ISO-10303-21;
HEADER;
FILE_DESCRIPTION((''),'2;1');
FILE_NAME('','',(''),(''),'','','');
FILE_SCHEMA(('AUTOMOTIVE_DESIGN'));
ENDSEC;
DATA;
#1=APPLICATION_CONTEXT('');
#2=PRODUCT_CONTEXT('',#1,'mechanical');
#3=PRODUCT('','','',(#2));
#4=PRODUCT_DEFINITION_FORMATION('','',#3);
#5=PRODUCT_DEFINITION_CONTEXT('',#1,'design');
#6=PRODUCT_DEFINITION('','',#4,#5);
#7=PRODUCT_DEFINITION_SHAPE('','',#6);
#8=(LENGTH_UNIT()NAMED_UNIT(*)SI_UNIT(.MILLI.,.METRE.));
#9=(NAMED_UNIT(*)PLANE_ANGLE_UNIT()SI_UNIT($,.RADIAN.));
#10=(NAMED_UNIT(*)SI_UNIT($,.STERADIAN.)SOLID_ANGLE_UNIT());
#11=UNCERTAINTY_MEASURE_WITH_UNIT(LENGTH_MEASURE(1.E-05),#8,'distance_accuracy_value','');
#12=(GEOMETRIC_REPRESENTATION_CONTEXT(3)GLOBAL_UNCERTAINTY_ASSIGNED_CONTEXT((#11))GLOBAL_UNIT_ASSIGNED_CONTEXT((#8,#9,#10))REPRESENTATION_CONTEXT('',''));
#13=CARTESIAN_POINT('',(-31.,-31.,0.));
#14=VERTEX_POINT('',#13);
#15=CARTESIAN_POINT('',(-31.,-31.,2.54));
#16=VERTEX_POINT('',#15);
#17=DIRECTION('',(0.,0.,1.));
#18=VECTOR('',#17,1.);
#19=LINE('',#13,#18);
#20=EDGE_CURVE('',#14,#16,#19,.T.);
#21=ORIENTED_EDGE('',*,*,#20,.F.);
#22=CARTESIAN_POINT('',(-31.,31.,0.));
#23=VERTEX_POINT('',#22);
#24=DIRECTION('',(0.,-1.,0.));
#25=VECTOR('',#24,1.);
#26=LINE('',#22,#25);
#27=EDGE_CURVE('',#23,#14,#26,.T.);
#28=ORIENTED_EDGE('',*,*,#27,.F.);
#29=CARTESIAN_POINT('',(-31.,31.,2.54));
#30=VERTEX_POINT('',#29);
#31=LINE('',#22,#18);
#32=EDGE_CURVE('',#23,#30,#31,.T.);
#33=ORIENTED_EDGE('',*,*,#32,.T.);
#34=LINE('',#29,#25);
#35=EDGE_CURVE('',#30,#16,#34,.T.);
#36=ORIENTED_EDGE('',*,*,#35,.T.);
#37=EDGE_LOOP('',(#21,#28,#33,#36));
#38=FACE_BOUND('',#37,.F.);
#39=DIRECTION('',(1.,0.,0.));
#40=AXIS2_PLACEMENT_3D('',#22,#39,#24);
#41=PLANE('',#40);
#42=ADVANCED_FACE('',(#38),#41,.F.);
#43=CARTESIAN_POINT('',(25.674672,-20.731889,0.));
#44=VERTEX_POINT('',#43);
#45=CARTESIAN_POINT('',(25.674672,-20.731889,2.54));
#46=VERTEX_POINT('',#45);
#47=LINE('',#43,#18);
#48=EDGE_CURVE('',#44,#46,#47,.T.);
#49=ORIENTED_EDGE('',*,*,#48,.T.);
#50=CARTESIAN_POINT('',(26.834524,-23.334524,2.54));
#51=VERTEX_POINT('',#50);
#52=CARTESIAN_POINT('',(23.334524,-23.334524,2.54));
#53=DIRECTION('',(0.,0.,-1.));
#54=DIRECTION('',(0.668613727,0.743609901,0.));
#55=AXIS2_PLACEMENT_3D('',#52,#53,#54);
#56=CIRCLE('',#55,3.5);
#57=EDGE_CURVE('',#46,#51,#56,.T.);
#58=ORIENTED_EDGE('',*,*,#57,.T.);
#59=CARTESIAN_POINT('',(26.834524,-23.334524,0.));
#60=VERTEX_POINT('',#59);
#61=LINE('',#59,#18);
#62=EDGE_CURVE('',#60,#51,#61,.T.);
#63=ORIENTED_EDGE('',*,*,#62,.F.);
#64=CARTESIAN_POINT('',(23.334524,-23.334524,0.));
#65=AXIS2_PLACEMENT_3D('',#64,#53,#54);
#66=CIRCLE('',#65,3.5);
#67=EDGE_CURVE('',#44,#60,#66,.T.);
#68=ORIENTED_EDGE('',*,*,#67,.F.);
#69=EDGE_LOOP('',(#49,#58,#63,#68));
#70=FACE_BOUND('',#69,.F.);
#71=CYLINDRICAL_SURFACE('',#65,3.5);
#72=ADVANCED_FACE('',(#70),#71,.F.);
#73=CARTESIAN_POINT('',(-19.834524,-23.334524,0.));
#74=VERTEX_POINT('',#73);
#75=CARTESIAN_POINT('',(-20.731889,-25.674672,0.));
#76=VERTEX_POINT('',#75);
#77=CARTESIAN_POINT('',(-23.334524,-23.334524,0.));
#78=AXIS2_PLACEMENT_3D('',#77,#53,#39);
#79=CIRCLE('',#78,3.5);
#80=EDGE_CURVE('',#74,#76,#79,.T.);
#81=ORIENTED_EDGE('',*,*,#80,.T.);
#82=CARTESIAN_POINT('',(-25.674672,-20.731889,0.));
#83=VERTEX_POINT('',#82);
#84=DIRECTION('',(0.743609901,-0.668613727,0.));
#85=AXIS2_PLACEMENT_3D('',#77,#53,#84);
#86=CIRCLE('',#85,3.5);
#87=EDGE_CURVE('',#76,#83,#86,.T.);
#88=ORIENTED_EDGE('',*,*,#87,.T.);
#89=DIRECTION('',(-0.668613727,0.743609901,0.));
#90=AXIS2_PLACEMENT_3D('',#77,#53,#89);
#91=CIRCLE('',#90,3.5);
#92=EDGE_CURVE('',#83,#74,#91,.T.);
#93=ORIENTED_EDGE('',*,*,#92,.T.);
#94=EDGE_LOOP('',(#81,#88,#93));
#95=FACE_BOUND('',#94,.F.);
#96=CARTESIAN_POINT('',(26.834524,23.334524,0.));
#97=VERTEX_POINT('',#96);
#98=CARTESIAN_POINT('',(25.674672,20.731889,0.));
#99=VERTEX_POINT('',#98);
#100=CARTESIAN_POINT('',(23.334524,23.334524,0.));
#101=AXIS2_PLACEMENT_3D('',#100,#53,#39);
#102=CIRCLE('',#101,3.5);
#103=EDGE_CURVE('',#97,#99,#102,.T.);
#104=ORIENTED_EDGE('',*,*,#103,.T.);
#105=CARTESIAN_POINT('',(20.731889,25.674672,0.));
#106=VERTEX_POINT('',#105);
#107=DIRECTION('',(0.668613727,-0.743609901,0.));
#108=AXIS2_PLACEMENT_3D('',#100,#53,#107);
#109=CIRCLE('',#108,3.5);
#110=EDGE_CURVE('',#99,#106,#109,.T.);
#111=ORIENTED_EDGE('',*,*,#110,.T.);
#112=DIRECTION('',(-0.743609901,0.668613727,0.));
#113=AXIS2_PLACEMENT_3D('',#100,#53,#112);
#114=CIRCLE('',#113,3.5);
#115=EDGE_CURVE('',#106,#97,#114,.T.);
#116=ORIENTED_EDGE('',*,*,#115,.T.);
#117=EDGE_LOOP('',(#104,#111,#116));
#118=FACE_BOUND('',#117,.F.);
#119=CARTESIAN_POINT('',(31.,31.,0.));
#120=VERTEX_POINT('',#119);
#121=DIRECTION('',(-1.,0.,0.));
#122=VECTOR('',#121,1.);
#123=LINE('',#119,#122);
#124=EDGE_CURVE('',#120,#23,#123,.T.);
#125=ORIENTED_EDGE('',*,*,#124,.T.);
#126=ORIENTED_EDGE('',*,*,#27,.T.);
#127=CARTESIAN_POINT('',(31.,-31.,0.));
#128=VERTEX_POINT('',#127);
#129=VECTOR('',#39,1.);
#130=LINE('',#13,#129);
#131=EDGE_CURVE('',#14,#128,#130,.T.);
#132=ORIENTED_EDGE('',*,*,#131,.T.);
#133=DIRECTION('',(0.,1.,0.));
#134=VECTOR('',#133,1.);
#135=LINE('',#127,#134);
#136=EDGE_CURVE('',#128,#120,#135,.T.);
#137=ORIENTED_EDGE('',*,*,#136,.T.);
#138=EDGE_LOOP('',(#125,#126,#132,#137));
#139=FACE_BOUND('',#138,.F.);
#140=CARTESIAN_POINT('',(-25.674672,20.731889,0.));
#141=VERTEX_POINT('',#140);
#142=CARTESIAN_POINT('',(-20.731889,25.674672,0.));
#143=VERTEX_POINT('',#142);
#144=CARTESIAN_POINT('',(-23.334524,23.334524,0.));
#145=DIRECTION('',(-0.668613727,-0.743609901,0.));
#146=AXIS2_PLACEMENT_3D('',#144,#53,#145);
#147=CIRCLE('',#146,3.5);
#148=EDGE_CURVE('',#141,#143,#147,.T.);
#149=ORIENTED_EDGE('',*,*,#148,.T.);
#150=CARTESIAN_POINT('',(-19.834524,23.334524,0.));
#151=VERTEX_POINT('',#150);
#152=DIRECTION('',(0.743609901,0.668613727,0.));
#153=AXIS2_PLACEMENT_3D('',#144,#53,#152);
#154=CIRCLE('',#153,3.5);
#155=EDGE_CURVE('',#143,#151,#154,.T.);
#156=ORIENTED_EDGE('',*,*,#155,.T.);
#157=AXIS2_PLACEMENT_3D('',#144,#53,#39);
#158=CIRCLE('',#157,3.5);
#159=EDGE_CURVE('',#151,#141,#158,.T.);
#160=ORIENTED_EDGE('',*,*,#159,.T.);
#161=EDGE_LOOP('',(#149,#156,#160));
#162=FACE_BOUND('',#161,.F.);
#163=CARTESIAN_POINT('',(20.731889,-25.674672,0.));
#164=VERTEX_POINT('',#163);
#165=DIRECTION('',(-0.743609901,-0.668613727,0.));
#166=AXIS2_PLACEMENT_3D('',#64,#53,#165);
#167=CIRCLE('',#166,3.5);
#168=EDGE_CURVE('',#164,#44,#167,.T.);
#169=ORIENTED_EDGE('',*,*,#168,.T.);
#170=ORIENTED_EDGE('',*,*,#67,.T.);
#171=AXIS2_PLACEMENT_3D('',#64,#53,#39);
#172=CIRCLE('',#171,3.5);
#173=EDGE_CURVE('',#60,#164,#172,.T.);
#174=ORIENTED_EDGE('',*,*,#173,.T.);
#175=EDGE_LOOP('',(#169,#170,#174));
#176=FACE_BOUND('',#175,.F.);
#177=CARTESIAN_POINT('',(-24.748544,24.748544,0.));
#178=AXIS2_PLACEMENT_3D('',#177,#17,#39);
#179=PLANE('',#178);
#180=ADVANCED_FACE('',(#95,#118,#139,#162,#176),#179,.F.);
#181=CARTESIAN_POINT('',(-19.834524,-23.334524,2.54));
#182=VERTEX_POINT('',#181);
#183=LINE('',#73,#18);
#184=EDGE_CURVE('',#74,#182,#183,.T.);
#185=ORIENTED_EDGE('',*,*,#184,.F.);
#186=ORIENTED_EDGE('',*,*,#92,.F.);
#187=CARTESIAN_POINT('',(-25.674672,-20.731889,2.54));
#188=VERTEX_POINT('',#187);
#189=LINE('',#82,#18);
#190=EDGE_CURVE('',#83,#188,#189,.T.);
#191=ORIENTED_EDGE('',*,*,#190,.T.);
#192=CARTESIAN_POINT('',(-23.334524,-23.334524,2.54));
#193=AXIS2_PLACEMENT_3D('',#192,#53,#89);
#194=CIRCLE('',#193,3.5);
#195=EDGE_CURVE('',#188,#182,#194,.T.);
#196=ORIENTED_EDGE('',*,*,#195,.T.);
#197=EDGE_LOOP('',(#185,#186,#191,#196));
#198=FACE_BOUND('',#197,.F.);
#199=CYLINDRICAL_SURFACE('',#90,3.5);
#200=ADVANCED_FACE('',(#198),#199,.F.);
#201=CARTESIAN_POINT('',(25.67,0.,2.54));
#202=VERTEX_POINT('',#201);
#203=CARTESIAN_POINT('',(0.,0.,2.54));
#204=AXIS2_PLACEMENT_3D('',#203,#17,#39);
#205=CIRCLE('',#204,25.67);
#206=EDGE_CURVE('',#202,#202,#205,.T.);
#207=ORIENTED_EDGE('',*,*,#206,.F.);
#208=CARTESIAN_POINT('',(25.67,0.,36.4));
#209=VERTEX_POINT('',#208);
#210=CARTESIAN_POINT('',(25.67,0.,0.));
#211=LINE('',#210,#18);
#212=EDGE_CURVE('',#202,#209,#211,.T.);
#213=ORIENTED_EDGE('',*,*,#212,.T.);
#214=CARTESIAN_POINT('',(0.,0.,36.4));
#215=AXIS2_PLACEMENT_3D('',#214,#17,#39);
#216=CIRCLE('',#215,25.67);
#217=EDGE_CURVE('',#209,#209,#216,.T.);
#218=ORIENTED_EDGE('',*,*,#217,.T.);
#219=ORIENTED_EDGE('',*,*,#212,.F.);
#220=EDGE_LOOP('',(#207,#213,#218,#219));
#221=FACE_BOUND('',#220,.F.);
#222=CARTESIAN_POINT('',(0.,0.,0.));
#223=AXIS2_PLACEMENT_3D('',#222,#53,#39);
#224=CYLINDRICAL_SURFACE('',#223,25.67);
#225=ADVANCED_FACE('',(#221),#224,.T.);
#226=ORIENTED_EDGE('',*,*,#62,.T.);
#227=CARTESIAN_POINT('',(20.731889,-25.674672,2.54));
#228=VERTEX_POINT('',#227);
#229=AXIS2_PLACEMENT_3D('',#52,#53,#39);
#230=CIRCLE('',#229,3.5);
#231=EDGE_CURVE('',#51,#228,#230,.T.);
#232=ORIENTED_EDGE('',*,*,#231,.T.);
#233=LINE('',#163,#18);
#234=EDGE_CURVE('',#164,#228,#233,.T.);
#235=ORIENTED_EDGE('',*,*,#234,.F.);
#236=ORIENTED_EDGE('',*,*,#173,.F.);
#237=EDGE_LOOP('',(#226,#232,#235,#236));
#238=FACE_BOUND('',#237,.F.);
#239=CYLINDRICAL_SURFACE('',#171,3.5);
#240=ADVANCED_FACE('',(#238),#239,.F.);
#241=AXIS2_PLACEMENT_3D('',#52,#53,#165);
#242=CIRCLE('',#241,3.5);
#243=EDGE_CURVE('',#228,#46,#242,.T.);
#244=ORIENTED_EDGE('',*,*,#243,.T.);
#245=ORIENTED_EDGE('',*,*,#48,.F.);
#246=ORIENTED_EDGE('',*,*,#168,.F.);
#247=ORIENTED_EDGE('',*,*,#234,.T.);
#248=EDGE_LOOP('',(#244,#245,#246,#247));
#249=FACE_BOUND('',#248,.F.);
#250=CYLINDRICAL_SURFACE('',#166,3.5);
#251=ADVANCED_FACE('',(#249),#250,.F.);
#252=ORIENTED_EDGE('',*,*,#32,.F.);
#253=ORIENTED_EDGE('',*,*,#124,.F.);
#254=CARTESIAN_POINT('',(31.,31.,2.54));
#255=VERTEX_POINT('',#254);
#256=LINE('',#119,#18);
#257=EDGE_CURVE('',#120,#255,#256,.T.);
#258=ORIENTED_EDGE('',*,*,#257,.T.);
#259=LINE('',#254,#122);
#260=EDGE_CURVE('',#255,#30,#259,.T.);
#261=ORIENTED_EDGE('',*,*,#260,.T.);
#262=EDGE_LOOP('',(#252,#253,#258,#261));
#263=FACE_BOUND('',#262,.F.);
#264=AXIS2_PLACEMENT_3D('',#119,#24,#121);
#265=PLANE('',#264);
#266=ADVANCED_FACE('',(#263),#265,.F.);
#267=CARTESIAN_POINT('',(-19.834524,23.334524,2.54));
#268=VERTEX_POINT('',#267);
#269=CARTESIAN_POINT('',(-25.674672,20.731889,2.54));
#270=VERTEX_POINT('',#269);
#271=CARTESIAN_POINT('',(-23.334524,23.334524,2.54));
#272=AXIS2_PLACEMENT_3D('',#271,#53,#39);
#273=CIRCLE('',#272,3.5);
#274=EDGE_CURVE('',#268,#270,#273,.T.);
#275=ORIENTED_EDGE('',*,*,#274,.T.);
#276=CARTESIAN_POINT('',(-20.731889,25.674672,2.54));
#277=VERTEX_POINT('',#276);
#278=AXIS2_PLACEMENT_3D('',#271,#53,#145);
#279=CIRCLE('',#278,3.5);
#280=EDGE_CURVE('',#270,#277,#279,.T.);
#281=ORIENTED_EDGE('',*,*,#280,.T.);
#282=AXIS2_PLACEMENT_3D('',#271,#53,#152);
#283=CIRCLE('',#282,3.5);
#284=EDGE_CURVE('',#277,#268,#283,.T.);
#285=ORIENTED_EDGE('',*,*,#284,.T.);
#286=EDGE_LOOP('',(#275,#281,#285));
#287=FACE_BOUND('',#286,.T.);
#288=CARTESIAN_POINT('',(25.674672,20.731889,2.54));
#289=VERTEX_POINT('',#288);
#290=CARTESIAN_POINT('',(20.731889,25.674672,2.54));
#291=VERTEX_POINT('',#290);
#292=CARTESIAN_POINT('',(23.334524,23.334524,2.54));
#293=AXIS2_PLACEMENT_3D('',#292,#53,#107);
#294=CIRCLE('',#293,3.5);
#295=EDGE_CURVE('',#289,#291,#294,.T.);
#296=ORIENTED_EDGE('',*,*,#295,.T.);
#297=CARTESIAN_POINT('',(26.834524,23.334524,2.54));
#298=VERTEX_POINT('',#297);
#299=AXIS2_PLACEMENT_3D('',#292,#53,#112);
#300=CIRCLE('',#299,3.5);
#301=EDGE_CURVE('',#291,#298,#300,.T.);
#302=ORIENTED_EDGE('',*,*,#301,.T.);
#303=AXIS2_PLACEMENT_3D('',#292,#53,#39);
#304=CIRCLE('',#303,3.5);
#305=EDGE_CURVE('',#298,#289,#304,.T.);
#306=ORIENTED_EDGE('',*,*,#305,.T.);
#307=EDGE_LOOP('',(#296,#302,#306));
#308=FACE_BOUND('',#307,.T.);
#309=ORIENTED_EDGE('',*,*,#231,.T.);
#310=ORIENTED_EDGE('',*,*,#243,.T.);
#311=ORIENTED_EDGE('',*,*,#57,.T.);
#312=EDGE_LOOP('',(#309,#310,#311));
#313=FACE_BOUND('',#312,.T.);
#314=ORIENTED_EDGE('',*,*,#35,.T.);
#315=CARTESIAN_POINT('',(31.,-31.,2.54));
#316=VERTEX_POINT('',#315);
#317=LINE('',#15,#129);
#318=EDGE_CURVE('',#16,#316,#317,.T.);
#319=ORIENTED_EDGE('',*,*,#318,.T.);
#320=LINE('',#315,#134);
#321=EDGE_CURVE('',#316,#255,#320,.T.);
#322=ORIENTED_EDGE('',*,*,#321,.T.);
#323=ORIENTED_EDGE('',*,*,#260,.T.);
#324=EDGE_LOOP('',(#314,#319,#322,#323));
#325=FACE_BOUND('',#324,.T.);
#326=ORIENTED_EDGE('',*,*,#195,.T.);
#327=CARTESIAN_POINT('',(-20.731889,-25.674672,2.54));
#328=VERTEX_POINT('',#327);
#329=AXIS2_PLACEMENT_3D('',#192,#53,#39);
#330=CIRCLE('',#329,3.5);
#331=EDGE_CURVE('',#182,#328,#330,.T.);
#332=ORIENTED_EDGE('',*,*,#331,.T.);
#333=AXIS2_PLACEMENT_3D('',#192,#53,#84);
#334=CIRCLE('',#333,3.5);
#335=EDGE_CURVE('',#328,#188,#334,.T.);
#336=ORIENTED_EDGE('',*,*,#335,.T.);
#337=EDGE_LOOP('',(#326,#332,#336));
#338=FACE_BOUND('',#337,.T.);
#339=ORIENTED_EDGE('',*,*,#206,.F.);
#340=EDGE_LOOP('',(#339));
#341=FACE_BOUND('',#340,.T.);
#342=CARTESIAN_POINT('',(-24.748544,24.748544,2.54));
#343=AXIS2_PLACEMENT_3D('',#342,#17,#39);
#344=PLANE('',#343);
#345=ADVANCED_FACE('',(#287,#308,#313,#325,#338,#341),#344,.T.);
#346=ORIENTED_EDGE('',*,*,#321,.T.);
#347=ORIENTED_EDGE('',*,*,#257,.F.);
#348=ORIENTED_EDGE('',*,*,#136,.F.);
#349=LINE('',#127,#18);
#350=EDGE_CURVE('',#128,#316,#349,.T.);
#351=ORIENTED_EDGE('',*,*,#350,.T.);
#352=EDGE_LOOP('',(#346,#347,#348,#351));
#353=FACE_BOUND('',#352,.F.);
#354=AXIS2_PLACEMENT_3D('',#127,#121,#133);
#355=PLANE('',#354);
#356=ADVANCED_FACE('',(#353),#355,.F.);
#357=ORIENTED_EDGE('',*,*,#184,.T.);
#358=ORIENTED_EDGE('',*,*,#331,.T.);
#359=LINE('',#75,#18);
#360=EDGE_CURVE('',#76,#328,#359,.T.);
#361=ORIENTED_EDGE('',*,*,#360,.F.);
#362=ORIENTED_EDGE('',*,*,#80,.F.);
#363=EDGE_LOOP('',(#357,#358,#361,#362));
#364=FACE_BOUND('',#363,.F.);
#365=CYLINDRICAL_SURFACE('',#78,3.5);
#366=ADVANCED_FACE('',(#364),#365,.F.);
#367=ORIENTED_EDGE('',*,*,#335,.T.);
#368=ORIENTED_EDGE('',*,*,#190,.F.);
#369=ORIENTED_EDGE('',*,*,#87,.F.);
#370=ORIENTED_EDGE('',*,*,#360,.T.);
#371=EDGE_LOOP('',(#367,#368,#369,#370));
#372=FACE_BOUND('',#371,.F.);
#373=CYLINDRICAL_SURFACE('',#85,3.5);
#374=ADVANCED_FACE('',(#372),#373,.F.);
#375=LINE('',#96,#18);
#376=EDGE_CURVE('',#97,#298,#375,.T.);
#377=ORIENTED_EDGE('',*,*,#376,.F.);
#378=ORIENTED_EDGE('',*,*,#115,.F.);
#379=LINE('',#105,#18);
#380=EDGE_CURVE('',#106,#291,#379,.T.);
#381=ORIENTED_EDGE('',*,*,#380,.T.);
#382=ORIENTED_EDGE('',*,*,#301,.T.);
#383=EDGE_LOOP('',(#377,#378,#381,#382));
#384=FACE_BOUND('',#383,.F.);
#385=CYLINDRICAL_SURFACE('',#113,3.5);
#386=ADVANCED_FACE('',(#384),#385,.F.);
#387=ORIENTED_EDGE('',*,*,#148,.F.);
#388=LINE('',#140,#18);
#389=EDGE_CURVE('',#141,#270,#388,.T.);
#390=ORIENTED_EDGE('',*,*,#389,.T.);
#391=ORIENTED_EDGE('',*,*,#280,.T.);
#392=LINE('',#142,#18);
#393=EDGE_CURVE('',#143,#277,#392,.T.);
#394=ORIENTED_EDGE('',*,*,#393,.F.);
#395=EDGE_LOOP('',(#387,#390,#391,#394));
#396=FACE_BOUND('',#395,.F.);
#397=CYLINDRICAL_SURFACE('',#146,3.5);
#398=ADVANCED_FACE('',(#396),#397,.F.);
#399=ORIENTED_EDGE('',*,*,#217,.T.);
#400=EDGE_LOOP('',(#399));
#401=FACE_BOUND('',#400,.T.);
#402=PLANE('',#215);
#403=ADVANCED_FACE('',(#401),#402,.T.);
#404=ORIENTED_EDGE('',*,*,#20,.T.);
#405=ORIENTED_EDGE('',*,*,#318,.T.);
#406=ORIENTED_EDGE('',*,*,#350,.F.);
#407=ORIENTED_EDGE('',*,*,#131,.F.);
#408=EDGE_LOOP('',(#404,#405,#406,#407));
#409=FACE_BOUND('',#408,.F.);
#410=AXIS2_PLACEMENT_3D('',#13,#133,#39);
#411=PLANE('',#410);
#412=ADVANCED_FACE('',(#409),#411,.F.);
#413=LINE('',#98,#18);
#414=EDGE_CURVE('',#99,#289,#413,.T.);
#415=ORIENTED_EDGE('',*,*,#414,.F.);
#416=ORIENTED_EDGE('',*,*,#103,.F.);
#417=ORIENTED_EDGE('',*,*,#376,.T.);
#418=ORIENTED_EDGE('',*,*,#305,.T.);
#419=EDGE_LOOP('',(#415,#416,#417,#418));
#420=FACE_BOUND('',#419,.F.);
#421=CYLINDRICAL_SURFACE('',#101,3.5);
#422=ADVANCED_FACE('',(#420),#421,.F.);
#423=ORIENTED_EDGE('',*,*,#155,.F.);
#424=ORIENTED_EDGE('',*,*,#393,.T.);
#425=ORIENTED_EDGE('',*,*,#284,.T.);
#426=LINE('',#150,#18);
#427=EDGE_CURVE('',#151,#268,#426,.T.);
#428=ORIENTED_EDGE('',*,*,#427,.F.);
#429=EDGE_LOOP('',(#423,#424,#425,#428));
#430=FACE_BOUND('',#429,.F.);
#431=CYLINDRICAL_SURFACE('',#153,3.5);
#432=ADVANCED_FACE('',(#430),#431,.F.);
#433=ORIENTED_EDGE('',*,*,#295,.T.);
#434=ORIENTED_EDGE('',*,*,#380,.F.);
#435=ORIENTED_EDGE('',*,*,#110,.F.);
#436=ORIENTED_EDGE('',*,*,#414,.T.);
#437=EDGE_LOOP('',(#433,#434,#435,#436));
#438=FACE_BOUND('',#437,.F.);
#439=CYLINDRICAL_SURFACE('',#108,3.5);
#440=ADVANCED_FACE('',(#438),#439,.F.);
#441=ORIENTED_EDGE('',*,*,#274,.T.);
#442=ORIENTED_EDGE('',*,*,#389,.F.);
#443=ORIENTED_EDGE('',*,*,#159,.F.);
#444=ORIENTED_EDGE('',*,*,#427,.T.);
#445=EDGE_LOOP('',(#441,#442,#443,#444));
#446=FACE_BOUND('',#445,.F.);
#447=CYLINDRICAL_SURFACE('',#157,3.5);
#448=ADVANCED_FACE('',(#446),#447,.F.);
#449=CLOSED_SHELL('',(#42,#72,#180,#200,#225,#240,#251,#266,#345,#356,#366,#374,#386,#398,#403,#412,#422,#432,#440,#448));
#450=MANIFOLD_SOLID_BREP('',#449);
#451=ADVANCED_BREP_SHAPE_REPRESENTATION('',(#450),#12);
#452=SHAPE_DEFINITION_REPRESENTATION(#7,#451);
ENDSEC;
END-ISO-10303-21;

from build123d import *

# Parameters (mm, degrees)
F0_R     = 25.67
F1_DEPTH = 2.54
F2_DEPTH = 36.4


with BuildPart() as f1:
    # F0 (on Top) → F1 (new body)
    with BuildSketch(Plane.XY):
        with BuildLine():
            ThreePointArc((-20.731889127, 25.6746718231), (-16.242532495, 28.7259488642), (-11.313708499, 31))
            Line((-11.313708499, 31), (-31, 31))
            Line((-31, 31), (-31, 11.313708499))
            ThreePointArc((-31, 11.313708499), (-28.7259488642, 16.242532495), (-25.6746718231, 20.731889127))
            ThreePointArc((-25.6746718231, 20.731889127), (-25.8093975133, 25.8093975133), (-20.731889127, 25.6746718231))
        make_face()
        with BuildLine():
            Line((31, -11.313708499), (31, 11.313708499))
            ThreePointArc((31, 11.313708499), (28.7259488642, 16.242532495), (25.6746718231, 20.731889127))
            ThreePointArc((25.6746718231, 20.731889127), (20.859650045, 20.859650045), (20.731889127, 25.6746718231))
            ThreePointArc((20.731889127, 25.6746718231), (16.242532495, 28.7259488642), (11.313708499, 31))
            Line((11.313708499, 31), (-11.313708499, 31))
            ThreePointArc((-11.313708499, 31), (-16.242532495, 28.7259488642), (-20.731889127, 25.6746718231))
            ThreePointArc((-20.731889127, 25.6746718231), (-20.066556423, 24.5876755492), (-19.8345237792, 23.3345237792))
            ThreePointArc((-19.8345237792, 23.3345237792), (-21.9098340154, 20.1376097864), (-25.6746718231, 20.731889127))
            ThreePointArc((-25.6746718231, 20.731889127), (-28.7259488642, 16.242532495), (-31, 11.313708499))
            Line((-31, 11.313708499), (-31, -11.313708499))
            ThreePointArc((-31, -11.313708499), (-28.7259488642, -16.242532495), (-25.6746718231, -20.731889127))
            ThreePointArc((-25.6746718231, -20.731889127), (-21.9098340154, -20.1376097864), (-19.8345237792, -23.3345237792))
            ThreePointArc((-19.8345237792, -23.3345237792), (-20.066556423, -24.5876755492), (-20.731889127, -25.6746718231))
            ThreePointArc((-20.731889127, -25.6746718231), (-16.242532495, -28.7259488642), (-11.313708499, -31))
            Line((-11.313708499, -31), (11.313708499, -31))
            ThreePointArc((11.313708499, -31), (16.242532495, -28.7259488642), (20.731889127, -25.6746718231))
            ThreePointArc((20.731889127, -25.6746718231), (20.859650045, -20.859650045), (25.6746718231, -20.731889127))
            ThreePointArc((25.6746718231, -20.731889127), (28.7259488642, -16.242532495), (31, -11.313708499))
        make_face()
        Circle(F0_R, mode=Mode.SUBTRACT)
        with BuildLine():
            Line((-31, -31), (-11.313708499, -31))
            ThreePointArc((-11.313708499, -31), (-16.242532495, -28.7259488642), (-20.731889127, -25.6746718231))
            ThreePointArc((-20.731889127, -25.6746718231), (-25.8093975133, -25.8093975133), (-25.6746718231, -20.731889127))
            ThreePointArc((-25.6746718231, -20.731889127), (-28.7259488642, -16.242532495), (-31, -11.313708499))
            Line((-31, -11.313708499), (-31, -31))
        make_face()
        with BuildLine():
            Line((31, -31), (31, -11.313708499))
            ThreePointArc((31, -11.313708499), (28.7259488642, -16.242532495), (25.6746718231, -20.731889127))
            ThreePointArc((25.6746718231, -20.731889127), (26.5314377719, -21.9098340154), (26.8345237792, -23.3345237792))
            ThreePointArc((26.8345237792, -23.3345237792), (24.5876755492, -26.6024911354), (20.731889127, -25.6746718231))
            ThreePointArc((20.731889127, -25.6746718231), (16.242532495, -28.7259488642), (11.313708499, -31))
            Line((11.313708499, -31), (31, -31))
        make_face()
        with BuildLine():
            ThreePointArc((25.6746718231, 20.731889127), (28.7259488642, 16.242532495), (31, 11.313708499))
            Line((31, 11.313708499), (31, 31))
            Line((31, 31), (11.313708499, 31))
            ThreePointArc((11.313708499, 31), (16.242532495, 28.7259488642), (20.731889127, 25.6746718231))
            ThreePointArc((20.731889127, 25.6746718231), (24.5876755492, 26.6024911354), (26.8345237792, 23.3345237792))
            ThreePointArc((26.8345237792, 23.3345237792), (26.5314377719, 21.9098340154), (25.6746718231, 20.731889127))
        make_face()
    extrude(amount=F1_DEPTH)

    # F0 (on Top) → F2 (join)
    with BuildSketch(Plane.XY):
        Circle(F0_R)
    extrude(amount=F2_DEPTH)


solid = f1.part
